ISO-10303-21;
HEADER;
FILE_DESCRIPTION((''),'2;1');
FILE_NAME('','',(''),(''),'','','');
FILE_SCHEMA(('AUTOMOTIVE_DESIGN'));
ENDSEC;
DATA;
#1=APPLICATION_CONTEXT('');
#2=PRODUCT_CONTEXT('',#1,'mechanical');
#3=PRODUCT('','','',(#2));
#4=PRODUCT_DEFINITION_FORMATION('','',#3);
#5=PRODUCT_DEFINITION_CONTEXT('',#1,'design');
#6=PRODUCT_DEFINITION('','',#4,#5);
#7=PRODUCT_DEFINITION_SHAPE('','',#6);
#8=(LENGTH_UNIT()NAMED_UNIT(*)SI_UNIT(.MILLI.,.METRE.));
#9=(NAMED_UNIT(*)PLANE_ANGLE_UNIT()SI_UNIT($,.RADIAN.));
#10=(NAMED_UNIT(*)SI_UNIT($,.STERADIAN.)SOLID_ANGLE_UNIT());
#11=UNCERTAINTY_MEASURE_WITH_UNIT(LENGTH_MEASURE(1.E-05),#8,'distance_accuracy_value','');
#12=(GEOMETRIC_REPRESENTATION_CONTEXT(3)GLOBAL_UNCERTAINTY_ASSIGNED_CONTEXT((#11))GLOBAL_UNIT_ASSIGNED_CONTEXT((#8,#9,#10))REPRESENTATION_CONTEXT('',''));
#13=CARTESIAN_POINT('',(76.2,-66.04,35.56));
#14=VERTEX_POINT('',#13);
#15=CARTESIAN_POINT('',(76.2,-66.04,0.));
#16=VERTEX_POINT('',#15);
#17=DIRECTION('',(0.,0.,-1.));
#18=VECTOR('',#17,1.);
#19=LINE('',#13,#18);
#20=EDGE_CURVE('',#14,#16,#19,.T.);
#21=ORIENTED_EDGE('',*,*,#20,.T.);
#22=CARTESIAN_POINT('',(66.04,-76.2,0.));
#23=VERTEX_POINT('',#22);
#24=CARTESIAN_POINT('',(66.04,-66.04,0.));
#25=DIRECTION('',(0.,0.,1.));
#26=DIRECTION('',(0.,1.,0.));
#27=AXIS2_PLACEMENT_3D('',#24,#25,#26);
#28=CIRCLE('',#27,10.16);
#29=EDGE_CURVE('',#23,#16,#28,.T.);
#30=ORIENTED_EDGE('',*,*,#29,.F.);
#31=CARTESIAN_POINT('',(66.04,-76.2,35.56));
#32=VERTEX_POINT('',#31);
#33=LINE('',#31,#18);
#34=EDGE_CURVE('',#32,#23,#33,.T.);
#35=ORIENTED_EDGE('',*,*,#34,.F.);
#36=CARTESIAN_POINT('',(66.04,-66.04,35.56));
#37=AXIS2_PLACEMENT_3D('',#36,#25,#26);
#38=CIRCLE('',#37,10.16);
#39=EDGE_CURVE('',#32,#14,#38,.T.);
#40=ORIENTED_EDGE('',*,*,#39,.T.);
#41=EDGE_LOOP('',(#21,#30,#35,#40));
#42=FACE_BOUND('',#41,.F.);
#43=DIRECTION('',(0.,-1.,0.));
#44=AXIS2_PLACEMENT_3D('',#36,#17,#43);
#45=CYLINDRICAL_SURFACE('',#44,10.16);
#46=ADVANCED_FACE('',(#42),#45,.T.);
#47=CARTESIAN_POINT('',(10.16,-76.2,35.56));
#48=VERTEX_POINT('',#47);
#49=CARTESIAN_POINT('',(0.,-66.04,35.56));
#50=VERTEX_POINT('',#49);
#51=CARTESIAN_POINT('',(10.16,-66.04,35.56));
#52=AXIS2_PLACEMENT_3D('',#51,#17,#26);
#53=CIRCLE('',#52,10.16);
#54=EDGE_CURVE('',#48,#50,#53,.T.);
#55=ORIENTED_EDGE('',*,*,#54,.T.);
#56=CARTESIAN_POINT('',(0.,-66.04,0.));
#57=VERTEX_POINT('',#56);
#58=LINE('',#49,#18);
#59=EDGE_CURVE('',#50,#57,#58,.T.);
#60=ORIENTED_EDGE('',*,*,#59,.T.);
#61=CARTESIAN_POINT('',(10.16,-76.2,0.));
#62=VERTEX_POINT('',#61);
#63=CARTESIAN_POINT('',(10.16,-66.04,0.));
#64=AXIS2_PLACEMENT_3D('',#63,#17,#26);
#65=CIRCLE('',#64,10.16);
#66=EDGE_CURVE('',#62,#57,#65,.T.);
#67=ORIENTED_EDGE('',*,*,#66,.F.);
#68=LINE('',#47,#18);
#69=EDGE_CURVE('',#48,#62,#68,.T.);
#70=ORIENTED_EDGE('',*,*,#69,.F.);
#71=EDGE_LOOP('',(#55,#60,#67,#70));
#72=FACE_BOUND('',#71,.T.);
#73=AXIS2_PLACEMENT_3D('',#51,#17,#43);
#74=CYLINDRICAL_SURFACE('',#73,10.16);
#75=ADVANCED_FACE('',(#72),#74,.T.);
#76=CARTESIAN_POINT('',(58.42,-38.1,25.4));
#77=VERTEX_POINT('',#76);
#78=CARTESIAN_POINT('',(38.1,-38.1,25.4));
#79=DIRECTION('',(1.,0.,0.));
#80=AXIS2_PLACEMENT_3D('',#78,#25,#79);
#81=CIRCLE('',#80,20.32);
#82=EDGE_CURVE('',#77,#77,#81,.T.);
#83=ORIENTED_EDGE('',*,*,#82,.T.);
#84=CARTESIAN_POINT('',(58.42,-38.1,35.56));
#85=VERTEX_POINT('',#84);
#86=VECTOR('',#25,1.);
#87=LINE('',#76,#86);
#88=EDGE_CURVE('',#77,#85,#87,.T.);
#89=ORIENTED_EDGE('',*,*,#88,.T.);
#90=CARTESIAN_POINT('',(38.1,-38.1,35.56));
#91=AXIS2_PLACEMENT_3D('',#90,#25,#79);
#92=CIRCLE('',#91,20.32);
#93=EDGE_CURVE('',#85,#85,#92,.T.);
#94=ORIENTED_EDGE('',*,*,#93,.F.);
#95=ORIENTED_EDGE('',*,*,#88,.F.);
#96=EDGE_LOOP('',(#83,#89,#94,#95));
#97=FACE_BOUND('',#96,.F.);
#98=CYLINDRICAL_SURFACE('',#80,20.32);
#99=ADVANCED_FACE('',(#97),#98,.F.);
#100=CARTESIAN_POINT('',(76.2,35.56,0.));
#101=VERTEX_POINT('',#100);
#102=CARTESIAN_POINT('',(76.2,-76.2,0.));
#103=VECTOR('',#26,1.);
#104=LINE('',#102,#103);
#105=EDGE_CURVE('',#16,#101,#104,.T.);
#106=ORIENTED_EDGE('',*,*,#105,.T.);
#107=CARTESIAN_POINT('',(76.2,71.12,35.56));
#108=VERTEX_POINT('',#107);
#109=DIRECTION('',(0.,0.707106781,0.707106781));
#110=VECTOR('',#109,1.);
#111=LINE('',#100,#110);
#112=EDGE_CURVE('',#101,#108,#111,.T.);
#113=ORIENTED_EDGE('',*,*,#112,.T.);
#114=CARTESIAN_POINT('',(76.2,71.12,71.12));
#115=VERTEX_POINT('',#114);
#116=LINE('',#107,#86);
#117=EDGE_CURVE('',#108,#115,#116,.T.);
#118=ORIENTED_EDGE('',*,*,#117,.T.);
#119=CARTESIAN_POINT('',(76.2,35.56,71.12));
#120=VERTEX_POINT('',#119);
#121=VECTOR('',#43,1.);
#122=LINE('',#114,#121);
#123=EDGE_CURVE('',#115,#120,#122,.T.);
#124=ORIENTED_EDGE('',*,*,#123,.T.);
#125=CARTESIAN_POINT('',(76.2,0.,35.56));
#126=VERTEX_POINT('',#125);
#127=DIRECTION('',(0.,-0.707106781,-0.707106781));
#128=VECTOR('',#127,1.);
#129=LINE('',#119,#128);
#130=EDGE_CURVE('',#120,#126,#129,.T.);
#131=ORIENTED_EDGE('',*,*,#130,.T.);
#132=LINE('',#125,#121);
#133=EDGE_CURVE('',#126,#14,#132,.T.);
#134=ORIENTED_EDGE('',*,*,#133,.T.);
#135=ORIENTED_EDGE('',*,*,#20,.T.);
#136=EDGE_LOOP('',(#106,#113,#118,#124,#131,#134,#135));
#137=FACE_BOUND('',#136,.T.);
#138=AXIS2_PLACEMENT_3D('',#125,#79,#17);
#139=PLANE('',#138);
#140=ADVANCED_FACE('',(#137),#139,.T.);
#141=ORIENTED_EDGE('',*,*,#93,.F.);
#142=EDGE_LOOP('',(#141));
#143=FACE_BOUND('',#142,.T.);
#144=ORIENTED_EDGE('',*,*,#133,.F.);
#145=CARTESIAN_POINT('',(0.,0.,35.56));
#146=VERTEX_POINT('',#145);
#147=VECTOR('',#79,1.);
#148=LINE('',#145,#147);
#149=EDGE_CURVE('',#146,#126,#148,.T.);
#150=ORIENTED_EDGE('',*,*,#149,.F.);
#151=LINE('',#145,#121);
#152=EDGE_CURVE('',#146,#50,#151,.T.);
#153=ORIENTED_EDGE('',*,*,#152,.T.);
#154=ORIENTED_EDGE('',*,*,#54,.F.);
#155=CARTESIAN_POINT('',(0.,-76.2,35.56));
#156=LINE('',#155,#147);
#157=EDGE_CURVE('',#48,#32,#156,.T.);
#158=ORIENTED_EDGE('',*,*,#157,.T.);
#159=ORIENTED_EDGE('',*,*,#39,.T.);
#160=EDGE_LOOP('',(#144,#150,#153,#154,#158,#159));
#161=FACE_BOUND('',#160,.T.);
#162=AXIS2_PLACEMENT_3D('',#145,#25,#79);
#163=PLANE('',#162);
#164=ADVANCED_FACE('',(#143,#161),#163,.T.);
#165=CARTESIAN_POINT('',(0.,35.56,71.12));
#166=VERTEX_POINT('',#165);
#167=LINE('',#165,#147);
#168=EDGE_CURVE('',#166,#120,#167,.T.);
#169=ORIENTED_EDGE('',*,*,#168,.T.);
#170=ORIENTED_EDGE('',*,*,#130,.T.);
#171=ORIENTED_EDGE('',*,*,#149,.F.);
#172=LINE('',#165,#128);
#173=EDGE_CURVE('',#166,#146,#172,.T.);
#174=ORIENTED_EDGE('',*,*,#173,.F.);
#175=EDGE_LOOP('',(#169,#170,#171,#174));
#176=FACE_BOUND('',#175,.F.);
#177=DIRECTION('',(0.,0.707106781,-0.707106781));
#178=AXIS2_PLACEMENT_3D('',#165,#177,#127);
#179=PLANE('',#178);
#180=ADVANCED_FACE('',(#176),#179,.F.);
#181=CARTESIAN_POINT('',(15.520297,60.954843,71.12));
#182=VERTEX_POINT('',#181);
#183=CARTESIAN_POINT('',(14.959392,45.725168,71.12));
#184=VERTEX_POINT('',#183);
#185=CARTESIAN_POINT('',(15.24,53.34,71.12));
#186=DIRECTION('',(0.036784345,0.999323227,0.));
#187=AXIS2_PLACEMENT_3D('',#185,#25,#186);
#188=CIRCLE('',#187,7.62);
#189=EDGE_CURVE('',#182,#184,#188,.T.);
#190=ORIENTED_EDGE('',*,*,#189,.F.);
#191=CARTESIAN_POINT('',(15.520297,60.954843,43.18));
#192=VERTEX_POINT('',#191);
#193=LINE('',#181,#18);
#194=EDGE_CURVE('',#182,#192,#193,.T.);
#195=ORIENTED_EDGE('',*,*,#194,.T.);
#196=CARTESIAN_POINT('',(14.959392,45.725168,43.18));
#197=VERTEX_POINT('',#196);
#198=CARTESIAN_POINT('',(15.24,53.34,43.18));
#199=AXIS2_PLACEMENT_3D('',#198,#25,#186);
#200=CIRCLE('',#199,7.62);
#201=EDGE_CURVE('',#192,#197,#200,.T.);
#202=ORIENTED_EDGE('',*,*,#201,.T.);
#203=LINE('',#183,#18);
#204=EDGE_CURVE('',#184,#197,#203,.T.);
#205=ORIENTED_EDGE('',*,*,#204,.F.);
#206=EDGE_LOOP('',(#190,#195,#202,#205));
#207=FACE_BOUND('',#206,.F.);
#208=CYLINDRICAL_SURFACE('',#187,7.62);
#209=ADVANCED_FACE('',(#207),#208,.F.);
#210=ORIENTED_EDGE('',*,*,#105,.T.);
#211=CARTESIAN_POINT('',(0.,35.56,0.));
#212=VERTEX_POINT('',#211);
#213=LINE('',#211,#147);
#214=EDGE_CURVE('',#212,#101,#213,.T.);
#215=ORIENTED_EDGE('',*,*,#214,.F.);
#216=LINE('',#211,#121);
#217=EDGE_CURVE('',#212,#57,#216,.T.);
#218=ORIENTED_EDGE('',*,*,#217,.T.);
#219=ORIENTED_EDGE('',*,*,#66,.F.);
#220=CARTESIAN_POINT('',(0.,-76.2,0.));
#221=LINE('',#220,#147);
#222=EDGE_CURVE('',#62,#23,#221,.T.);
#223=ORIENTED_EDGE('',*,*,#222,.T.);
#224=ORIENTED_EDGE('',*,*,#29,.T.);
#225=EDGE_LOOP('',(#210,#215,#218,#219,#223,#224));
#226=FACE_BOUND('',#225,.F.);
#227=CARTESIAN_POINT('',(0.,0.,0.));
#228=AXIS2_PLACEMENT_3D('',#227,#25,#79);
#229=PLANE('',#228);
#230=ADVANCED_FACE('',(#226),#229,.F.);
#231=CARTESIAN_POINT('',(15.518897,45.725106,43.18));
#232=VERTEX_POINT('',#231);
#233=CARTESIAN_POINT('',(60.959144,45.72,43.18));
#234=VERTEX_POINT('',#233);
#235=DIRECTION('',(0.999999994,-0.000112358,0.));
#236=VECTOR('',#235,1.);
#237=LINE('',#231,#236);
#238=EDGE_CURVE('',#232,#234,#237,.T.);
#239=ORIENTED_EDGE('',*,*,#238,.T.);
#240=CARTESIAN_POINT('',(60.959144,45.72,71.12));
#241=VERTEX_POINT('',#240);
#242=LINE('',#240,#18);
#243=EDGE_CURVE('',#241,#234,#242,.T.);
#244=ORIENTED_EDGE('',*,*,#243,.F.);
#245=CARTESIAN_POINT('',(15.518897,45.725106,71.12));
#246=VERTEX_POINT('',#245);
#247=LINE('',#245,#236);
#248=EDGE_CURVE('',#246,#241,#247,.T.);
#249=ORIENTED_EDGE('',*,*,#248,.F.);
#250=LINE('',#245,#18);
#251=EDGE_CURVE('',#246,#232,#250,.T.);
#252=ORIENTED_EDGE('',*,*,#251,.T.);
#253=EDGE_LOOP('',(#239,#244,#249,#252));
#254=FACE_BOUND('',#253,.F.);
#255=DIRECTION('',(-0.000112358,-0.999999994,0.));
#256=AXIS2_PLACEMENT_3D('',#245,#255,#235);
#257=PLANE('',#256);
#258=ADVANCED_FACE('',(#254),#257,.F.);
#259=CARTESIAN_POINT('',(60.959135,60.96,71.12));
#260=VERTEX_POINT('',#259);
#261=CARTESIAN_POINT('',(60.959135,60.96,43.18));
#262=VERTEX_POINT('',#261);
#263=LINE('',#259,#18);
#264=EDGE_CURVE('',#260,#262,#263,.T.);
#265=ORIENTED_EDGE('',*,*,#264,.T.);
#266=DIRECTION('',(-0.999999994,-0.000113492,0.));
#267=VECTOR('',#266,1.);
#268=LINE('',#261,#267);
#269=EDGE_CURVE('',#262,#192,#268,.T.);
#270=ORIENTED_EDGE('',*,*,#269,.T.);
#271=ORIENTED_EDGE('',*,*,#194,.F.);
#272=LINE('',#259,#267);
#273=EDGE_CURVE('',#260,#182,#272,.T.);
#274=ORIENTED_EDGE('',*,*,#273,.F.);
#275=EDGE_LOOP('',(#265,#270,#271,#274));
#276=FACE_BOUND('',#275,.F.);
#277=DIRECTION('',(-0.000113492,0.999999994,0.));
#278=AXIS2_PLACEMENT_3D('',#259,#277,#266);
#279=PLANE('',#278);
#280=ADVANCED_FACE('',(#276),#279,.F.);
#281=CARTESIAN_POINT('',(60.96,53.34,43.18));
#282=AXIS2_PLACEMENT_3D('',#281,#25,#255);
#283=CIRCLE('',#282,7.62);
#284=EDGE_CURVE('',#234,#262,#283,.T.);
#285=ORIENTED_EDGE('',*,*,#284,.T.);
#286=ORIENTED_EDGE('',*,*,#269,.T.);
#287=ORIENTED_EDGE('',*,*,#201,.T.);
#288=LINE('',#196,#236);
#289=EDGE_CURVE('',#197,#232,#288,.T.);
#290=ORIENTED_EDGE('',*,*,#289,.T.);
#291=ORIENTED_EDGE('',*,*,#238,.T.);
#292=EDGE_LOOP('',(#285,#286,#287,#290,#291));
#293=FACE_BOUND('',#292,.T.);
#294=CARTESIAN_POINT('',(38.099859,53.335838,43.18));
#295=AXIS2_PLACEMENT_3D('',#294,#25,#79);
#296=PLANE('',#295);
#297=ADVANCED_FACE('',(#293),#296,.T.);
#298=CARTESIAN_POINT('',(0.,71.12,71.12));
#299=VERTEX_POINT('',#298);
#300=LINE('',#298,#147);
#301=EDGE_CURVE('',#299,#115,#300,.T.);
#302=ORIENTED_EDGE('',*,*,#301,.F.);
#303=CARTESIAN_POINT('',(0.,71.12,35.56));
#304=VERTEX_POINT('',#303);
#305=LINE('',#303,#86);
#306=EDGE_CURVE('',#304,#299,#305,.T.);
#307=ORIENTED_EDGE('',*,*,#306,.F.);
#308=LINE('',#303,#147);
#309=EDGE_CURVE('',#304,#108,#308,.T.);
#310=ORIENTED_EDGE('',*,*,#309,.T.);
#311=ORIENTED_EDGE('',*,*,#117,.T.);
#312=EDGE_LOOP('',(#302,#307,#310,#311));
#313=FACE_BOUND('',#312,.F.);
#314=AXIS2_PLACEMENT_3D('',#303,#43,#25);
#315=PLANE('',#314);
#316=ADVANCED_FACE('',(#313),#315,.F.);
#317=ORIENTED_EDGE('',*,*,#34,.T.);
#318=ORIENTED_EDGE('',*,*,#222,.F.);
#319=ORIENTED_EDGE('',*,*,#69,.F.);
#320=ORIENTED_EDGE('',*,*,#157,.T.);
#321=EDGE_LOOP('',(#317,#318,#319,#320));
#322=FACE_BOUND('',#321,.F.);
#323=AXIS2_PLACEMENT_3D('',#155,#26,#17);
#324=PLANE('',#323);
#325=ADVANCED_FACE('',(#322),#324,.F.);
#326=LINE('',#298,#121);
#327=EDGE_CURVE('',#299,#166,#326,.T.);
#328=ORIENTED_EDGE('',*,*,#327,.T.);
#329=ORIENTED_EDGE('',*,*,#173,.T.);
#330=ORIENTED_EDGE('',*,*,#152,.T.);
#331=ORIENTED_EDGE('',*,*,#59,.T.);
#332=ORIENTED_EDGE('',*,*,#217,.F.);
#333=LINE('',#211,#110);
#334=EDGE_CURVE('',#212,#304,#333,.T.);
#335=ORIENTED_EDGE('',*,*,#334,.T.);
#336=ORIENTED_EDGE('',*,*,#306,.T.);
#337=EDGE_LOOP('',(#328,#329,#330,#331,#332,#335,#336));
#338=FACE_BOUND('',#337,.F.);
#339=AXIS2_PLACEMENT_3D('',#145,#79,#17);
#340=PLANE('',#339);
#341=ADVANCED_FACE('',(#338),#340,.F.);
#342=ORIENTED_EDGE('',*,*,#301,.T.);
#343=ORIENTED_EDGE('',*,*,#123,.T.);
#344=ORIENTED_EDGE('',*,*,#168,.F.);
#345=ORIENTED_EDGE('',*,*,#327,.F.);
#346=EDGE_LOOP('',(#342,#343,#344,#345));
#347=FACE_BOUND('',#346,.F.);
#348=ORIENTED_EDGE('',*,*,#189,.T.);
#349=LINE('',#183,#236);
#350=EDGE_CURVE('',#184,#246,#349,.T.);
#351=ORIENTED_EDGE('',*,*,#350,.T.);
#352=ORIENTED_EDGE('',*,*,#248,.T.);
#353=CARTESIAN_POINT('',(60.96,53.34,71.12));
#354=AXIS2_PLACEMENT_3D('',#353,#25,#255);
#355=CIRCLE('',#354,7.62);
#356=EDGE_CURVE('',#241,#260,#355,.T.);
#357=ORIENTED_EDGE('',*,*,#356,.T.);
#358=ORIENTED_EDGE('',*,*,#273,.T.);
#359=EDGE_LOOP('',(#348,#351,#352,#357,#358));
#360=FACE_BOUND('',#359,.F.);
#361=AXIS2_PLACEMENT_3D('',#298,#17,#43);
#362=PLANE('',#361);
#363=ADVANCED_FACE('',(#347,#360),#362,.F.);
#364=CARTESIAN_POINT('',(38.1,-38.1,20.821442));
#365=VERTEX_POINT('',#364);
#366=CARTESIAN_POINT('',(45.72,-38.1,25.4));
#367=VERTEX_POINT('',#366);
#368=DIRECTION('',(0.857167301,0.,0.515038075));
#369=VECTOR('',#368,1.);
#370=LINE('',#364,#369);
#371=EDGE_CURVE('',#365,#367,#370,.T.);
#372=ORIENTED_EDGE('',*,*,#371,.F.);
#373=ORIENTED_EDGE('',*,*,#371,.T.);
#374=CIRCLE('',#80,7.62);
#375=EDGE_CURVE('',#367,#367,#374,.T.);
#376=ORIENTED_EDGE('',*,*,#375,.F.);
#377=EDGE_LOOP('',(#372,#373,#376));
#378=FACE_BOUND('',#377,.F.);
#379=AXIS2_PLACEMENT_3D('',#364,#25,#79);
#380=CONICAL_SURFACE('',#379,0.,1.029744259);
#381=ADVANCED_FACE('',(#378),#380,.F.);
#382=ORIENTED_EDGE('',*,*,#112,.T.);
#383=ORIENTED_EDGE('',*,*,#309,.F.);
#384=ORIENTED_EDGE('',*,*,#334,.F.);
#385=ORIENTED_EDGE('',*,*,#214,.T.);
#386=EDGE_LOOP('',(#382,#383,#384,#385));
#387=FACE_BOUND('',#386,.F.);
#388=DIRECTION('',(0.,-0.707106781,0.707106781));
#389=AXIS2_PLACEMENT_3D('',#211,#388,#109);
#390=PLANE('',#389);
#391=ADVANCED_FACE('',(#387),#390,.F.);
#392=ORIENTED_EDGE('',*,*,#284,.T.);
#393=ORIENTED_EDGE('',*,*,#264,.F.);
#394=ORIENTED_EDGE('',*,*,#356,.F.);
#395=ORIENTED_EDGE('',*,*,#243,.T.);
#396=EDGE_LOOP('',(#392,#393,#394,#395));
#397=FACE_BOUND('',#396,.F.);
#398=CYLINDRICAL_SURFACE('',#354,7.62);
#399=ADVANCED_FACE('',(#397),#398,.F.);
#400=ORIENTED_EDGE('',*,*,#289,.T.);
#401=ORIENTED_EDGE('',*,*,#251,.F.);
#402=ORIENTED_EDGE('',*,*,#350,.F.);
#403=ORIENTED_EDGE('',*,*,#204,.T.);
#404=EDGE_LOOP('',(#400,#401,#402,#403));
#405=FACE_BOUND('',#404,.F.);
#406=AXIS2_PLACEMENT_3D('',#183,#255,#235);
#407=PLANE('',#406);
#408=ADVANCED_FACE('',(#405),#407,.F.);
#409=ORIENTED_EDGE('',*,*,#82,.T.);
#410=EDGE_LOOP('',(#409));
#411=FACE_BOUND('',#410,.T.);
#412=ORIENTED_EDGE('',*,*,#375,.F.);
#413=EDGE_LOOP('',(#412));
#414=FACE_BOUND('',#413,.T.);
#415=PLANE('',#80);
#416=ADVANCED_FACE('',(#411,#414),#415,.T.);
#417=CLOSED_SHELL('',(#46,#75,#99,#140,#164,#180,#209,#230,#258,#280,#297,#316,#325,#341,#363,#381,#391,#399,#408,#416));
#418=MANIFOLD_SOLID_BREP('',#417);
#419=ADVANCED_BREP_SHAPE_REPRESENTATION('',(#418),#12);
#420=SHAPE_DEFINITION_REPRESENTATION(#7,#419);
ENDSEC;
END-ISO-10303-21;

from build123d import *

# Parameters (mm, degrees)
F1_DEPTH       = 76.2
F2_DEPTH       = 76.2
F4_D           = 15.24
F4_DEPTH       = 10.16
F4_CBORE_D     = 40.64
F4_CBORE_DEPTH = 10.16
F4_TIP         = 4.578557917
F5_R           = 10.16
F6_R           = 10.16
F8_DEPTH       = 27.94


with BuildPart() as f1:
    # F0 (on Right) → F1 (new body)
    with BuildSketch(Plane.YZ):
        Polygon((0, 35.56), (0, 0), (35.56, 0), (71.12, 35.56), (71.12, 71.12), (35.56, 71.12), align=None)
    extrude(amount=F1_DEPTH)

    # F2 (add): a face of the model
    f2_faces = [f1.faces().sort_by_distance(p)[0] for p in [
        (38.1, 0, 17.78),
    ]]
    extrude(f2_faces, amount=F2_DEPTH)

    # F4
    with Locations(Plane.XY.offset(35.56)):
        with Locations((38.1, -38.1)):
            CounterBoreHole(F4_D / 2, F4_CBORE_D / 2, F4_CBORE_DEPTH, depth=F4_DEPTH)
            with Locations((0, 0, -(F4_DEPTH + F4_TIP / 2))):  # 118° drill point
                Cone(0, F4_D / 2, F4_TIP, mode=Mode.SUBTRACT)

    # F5
    f5_edges = [f1.edges().sort_by_distance(p)[0] for p in [
        (76.2, -76.2, 17.78),
    ]]
    fillet(f5_edges, radius=F5_R)

    # F6
    f6_edges = [f1.edges().sort_by_distance(p)[0] for p in [
        (0, -76.2, 17.78),
    ]]
    fillet(f6_edges, radius=F6_R)

    # F7 (on face) → F8 (cut)
    with BuildSketch(Plane.XY.offset(71.12)):
        with BuildLine():
            Line((60.9591351744, 60.9599999509), (15.5202967077, 60.9548429896))
            ThreePointArc((15.5202967077, 60.9548429896), (7.6251627493, 53.6204525726), (14.9593915626, 45.7251684914))
            Line((14.9593915626, 45.7251684914), (15.5188972549, 45.7251056264))
            Line((15.5188972549, 45.7251056264), (60.9591438178, 45.7200000481))
            ThreePointArc((60.9591438178, 45.7200000481), (68.5799999863, 53.3400043217), (60.9591351744, 60.9599999509))
        make_face()
    extrude(amount=-F8_DEPTH, mode=Mode.SUBTRACT)


solid = f1.part
